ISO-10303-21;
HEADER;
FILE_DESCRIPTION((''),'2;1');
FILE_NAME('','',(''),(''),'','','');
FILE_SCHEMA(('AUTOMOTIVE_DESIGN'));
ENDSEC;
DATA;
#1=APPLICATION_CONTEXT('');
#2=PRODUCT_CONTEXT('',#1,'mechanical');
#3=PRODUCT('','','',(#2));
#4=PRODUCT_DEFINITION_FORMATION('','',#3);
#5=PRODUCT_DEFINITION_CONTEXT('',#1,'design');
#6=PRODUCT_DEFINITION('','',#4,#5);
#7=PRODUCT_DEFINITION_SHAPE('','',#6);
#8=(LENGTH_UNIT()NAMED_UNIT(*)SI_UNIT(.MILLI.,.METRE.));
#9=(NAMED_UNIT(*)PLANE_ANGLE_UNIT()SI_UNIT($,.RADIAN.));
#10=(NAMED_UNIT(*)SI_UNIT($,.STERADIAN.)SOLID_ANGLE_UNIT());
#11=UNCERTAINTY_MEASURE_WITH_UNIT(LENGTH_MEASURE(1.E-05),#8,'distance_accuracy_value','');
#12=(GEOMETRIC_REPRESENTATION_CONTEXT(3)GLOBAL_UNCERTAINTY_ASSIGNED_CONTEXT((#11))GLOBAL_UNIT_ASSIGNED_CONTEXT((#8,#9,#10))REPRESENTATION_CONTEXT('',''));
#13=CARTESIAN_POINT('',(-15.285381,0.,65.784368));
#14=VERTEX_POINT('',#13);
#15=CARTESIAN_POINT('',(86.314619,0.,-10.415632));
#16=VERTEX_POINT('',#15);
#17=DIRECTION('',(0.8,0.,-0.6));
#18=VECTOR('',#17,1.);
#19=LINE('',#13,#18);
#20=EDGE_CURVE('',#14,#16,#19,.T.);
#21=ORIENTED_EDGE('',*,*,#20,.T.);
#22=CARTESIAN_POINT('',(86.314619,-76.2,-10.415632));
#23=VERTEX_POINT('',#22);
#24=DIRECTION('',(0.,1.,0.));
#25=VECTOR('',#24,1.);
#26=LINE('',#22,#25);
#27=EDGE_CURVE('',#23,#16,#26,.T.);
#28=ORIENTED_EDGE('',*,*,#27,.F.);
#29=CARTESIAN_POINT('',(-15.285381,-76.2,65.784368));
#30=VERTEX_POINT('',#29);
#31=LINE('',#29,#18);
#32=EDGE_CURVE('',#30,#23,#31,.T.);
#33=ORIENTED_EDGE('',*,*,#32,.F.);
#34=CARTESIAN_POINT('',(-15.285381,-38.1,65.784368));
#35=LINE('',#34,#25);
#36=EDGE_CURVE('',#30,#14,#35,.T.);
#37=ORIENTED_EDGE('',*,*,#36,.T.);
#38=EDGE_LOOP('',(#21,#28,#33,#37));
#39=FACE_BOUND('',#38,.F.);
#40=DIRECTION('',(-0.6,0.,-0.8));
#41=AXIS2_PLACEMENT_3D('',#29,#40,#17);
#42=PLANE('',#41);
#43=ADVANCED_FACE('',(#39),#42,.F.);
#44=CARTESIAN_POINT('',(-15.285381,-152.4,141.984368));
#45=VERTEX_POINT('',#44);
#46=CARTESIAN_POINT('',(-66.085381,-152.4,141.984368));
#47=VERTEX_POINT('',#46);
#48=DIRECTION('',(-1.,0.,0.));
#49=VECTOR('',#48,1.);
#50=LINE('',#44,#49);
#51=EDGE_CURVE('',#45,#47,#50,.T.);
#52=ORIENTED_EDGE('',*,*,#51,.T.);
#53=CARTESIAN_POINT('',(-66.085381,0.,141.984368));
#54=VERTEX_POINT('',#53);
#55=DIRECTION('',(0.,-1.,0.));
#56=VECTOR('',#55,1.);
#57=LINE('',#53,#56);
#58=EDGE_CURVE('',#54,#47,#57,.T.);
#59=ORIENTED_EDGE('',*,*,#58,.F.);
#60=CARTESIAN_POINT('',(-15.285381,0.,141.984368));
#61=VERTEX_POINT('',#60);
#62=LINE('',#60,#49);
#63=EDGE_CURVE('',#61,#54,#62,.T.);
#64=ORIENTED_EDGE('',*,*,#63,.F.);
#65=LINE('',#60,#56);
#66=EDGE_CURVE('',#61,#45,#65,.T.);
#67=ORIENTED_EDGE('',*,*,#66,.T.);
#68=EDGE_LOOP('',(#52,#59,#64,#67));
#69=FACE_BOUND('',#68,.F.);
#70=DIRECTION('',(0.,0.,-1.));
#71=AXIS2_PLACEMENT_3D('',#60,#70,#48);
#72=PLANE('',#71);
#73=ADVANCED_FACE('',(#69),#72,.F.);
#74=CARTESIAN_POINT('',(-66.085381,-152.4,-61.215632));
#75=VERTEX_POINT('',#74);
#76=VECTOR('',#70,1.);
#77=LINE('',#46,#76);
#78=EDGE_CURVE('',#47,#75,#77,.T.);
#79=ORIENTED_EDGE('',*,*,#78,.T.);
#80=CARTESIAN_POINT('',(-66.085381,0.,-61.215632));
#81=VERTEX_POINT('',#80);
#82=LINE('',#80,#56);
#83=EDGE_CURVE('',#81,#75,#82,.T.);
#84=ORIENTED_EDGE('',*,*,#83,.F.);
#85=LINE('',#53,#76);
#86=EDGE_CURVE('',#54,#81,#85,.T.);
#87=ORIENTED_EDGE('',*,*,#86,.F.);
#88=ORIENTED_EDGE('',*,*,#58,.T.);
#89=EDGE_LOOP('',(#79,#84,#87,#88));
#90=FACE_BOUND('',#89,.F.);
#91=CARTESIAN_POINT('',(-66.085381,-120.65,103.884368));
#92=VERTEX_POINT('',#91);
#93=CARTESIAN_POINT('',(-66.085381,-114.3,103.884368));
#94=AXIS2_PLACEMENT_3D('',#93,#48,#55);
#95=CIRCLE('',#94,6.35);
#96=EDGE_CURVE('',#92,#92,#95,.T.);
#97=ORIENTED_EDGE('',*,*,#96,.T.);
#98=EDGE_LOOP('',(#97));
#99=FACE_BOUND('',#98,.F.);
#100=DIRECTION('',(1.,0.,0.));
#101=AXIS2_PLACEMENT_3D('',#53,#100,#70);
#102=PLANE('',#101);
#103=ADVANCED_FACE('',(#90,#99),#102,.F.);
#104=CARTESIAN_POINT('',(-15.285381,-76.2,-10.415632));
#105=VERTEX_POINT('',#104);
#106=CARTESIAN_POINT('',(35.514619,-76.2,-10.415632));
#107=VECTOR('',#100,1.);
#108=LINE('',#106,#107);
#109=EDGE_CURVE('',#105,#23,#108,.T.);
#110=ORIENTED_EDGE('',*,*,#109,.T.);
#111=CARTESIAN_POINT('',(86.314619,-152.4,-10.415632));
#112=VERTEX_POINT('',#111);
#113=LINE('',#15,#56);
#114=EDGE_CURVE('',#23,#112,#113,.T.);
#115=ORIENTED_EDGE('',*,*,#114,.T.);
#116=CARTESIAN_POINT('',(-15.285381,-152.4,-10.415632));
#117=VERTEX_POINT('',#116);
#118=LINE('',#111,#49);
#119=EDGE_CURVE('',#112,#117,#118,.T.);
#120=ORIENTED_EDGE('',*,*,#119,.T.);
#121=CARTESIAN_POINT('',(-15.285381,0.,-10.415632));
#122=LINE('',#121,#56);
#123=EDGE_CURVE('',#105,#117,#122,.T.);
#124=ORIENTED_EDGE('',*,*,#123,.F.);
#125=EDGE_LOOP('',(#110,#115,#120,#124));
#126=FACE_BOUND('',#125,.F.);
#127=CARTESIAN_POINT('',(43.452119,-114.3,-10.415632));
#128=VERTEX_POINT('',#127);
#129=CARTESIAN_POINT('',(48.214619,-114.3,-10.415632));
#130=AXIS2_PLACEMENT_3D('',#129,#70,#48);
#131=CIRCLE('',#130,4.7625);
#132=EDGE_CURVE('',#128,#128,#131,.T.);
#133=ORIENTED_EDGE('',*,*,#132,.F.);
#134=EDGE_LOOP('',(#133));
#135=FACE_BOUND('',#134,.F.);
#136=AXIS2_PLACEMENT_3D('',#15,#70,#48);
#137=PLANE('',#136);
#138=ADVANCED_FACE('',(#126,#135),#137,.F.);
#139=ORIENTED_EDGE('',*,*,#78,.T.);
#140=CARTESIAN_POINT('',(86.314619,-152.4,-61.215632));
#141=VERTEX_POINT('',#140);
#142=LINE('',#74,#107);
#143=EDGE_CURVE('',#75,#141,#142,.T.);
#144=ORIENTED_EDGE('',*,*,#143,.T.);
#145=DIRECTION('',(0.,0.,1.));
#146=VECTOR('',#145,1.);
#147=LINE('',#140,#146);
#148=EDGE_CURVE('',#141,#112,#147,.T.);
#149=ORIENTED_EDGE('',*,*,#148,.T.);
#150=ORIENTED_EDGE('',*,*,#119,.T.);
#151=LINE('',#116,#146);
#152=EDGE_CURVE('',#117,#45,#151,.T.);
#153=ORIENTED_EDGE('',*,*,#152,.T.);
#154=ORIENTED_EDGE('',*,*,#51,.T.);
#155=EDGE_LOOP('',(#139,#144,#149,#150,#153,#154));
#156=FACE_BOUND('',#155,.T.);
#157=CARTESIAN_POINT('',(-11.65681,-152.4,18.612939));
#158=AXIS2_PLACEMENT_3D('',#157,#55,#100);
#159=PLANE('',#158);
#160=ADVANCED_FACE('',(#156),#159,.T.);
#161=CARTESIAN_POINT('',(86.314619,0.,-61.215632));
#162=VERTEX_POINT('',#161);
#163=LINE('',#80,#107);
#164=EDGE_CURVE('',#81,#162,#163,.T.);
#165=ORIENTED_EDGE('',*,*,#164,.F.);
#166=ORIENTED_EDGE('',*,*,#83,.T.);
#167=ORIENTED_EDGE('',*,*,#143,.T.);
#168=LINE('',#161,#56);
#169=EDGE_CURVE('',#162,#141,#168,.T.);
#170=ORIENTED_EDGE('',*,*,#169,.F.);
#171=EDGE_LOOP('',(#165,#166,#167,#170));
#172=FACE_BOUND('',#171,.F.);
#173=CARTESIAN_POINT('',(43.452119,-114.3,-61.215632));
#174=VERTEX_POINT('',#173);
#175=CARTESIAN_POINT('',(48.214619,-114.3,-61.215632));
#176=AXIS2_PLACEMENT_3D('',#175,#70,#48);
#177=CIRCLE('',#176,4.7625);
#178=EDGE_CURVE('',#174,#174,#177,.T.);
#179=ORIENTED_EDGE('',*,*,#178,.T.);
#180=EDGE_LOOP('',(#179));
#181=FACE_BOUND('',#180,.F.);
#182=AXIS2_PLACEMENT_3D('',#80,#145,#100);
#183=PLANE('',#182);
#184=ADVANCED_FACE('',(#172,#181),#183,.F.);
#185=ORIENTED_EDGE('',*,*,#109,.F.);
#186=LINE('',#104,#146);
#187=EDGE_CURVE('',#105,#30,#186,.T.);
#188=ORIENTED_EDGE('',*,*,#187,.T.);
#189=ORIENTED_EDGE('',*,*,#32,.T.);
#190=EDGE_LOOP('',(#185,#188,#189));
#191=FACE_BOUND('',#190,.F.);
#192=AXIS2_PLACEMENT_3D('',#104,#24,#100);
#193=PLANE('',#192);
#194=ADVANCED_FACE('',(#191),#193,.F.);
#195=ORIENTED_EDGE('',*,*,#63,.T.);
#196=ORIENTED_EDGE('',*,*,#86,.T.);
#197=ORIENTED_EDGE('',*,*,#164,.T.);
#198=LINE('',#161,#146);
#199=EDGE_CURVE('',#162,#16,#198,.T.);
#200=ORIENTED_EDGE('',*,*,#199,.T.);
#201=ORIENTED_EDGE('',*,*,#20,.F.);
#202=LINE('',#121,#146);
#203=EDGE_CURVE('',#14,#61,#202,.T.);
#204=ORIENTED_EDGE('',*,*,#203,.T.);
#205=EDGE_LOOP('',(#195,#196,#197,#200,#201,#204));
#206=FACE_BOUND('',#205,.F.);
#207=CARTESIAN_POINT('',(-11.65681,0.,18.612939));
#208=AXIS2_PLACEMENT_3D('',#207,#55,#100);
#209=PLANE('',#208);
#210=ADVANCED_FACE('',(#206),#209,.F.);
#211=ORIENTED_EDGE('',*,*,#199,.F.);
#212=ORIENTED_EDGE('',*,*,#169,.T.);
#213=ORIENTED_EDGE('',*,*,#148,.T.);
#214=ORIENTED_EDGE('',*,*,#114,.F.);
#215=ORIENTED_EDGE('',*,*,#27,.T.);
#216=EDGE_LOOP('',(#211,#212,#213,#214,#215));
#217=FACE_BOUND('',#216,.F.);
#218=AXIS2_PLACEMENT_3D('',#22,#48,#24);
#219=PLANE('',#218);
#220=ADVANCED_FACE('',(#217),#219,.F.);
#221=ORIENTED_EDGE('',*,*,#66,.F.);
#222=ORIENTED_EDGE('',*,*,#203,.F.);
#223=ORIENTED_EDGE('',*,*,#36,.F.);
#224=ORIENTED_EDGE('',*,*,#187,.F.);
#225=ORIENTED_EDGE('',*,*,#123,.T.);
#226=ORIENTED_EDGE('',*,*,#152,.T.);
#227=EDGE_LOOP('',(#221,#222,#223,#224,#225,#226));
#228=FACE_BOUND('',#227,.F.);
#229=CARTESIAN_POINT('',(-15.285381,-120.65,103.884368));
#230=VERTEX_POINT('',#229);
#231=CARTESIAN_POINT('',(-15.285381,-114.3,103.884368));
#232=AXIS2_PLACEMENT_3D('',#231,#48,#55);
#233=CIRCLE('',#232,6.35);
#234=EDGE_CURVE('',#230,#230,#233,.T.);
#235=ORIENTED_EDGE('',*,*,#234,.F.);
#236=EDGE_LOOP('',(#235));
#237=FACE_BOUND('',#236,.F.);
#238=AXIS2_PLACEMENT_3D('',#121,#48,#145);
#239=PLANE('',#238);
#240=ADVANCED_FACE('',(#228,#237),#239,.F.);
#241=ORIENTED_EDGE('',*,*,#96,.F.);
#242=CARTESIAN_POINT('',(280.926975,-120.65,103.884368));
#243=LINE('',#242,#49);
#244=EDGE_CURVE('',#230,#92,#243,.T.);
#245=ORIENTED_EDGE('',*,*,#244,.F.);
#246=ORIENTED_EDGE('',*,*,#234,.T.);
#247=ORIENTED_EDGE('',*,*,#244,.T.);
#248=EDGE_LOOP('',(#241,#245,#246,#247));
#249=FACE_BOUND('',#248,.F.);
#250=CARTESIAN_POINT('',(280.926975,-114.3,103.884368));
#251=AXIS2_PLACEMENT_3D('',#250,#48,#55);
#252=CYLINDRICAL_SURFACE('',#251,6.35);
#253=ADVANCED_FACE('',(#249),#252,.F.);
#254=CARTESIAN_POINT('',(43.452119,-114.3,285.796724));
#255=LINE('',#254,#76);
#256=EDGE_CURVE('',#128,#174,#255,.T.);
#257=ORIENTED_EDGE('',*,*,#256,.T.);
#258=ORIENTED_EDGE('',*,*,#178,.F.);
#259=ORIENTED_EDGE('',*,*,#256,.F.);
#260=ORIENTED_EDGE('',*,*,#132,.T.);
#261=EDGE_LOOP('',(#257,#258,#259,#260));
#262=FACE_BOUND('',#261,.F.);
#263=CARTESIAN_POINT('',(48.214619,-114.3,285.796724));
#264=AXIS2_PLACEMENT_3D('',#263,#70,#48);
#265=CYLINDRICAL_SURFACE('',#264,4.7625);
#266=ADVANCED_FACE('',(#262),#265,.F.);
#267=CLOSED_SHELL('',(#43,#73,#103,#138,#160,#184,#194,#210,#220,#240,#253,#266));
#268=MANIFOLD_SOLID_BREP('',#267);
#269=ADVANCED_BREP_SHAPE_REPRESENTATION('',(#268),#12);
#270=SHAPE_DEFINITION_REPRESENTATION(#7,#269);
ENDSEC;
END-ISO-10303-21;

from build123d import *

# Parameters (mm, degrees)
F1_DEPTH = 152.4
F2_W     = 101.6
F2_H     = 76.2
F3_DEPTH = 76.2
F5_DEPTH = 76.2
F7_D     = 9.525
F9_D     = 12.7


with BuildPart() as f1:
    # F0 (on Front) → F1 (new body)
    with BuildSketch(Plane.XZ):
        Polygon((-15.285381, 141.984368), (-66.085381, 141.984368), (-66.085381, -61.215632), (86.314619, -61.215632), (86.314619, -10.415632), (-15.285381, -10.415632), align=None)
    extrude(amount=F1_DEPTH)

    # F2 (on face) → F3 (join)
    with BuildSketch(Plane.XY.offset(-10.415632)):
        with Locations((35.514619, -38.1)):
            Rectangle(F2_W, F2_H)
    extrude(amount=F3_DEPTH)

    # F4 (on face) → F5 (cut)
    with BuildSketch(Plane.XZ.offset(76.2)):
        Polygon((86.314619, 65.784368), (-15.285381, 65.784368), (86.314619, -10.415632), align=None)
    extrude(amount=-F5_DEPTH, mode=Mode.SUBTRACT)

    # F7 (through all)
    with Locations(Plane.XY.offset(-10.415632)):
        with Locations((48.214619, -114.3)):
            Hole(F7_D / 2)

    # F9 (through all)
    with Locations(Plane.YZ.offset(-15.285381)):
        with Locations((-114.3, 103.884368)):
            Hole(F9_D / 2)


solid = f1.part
